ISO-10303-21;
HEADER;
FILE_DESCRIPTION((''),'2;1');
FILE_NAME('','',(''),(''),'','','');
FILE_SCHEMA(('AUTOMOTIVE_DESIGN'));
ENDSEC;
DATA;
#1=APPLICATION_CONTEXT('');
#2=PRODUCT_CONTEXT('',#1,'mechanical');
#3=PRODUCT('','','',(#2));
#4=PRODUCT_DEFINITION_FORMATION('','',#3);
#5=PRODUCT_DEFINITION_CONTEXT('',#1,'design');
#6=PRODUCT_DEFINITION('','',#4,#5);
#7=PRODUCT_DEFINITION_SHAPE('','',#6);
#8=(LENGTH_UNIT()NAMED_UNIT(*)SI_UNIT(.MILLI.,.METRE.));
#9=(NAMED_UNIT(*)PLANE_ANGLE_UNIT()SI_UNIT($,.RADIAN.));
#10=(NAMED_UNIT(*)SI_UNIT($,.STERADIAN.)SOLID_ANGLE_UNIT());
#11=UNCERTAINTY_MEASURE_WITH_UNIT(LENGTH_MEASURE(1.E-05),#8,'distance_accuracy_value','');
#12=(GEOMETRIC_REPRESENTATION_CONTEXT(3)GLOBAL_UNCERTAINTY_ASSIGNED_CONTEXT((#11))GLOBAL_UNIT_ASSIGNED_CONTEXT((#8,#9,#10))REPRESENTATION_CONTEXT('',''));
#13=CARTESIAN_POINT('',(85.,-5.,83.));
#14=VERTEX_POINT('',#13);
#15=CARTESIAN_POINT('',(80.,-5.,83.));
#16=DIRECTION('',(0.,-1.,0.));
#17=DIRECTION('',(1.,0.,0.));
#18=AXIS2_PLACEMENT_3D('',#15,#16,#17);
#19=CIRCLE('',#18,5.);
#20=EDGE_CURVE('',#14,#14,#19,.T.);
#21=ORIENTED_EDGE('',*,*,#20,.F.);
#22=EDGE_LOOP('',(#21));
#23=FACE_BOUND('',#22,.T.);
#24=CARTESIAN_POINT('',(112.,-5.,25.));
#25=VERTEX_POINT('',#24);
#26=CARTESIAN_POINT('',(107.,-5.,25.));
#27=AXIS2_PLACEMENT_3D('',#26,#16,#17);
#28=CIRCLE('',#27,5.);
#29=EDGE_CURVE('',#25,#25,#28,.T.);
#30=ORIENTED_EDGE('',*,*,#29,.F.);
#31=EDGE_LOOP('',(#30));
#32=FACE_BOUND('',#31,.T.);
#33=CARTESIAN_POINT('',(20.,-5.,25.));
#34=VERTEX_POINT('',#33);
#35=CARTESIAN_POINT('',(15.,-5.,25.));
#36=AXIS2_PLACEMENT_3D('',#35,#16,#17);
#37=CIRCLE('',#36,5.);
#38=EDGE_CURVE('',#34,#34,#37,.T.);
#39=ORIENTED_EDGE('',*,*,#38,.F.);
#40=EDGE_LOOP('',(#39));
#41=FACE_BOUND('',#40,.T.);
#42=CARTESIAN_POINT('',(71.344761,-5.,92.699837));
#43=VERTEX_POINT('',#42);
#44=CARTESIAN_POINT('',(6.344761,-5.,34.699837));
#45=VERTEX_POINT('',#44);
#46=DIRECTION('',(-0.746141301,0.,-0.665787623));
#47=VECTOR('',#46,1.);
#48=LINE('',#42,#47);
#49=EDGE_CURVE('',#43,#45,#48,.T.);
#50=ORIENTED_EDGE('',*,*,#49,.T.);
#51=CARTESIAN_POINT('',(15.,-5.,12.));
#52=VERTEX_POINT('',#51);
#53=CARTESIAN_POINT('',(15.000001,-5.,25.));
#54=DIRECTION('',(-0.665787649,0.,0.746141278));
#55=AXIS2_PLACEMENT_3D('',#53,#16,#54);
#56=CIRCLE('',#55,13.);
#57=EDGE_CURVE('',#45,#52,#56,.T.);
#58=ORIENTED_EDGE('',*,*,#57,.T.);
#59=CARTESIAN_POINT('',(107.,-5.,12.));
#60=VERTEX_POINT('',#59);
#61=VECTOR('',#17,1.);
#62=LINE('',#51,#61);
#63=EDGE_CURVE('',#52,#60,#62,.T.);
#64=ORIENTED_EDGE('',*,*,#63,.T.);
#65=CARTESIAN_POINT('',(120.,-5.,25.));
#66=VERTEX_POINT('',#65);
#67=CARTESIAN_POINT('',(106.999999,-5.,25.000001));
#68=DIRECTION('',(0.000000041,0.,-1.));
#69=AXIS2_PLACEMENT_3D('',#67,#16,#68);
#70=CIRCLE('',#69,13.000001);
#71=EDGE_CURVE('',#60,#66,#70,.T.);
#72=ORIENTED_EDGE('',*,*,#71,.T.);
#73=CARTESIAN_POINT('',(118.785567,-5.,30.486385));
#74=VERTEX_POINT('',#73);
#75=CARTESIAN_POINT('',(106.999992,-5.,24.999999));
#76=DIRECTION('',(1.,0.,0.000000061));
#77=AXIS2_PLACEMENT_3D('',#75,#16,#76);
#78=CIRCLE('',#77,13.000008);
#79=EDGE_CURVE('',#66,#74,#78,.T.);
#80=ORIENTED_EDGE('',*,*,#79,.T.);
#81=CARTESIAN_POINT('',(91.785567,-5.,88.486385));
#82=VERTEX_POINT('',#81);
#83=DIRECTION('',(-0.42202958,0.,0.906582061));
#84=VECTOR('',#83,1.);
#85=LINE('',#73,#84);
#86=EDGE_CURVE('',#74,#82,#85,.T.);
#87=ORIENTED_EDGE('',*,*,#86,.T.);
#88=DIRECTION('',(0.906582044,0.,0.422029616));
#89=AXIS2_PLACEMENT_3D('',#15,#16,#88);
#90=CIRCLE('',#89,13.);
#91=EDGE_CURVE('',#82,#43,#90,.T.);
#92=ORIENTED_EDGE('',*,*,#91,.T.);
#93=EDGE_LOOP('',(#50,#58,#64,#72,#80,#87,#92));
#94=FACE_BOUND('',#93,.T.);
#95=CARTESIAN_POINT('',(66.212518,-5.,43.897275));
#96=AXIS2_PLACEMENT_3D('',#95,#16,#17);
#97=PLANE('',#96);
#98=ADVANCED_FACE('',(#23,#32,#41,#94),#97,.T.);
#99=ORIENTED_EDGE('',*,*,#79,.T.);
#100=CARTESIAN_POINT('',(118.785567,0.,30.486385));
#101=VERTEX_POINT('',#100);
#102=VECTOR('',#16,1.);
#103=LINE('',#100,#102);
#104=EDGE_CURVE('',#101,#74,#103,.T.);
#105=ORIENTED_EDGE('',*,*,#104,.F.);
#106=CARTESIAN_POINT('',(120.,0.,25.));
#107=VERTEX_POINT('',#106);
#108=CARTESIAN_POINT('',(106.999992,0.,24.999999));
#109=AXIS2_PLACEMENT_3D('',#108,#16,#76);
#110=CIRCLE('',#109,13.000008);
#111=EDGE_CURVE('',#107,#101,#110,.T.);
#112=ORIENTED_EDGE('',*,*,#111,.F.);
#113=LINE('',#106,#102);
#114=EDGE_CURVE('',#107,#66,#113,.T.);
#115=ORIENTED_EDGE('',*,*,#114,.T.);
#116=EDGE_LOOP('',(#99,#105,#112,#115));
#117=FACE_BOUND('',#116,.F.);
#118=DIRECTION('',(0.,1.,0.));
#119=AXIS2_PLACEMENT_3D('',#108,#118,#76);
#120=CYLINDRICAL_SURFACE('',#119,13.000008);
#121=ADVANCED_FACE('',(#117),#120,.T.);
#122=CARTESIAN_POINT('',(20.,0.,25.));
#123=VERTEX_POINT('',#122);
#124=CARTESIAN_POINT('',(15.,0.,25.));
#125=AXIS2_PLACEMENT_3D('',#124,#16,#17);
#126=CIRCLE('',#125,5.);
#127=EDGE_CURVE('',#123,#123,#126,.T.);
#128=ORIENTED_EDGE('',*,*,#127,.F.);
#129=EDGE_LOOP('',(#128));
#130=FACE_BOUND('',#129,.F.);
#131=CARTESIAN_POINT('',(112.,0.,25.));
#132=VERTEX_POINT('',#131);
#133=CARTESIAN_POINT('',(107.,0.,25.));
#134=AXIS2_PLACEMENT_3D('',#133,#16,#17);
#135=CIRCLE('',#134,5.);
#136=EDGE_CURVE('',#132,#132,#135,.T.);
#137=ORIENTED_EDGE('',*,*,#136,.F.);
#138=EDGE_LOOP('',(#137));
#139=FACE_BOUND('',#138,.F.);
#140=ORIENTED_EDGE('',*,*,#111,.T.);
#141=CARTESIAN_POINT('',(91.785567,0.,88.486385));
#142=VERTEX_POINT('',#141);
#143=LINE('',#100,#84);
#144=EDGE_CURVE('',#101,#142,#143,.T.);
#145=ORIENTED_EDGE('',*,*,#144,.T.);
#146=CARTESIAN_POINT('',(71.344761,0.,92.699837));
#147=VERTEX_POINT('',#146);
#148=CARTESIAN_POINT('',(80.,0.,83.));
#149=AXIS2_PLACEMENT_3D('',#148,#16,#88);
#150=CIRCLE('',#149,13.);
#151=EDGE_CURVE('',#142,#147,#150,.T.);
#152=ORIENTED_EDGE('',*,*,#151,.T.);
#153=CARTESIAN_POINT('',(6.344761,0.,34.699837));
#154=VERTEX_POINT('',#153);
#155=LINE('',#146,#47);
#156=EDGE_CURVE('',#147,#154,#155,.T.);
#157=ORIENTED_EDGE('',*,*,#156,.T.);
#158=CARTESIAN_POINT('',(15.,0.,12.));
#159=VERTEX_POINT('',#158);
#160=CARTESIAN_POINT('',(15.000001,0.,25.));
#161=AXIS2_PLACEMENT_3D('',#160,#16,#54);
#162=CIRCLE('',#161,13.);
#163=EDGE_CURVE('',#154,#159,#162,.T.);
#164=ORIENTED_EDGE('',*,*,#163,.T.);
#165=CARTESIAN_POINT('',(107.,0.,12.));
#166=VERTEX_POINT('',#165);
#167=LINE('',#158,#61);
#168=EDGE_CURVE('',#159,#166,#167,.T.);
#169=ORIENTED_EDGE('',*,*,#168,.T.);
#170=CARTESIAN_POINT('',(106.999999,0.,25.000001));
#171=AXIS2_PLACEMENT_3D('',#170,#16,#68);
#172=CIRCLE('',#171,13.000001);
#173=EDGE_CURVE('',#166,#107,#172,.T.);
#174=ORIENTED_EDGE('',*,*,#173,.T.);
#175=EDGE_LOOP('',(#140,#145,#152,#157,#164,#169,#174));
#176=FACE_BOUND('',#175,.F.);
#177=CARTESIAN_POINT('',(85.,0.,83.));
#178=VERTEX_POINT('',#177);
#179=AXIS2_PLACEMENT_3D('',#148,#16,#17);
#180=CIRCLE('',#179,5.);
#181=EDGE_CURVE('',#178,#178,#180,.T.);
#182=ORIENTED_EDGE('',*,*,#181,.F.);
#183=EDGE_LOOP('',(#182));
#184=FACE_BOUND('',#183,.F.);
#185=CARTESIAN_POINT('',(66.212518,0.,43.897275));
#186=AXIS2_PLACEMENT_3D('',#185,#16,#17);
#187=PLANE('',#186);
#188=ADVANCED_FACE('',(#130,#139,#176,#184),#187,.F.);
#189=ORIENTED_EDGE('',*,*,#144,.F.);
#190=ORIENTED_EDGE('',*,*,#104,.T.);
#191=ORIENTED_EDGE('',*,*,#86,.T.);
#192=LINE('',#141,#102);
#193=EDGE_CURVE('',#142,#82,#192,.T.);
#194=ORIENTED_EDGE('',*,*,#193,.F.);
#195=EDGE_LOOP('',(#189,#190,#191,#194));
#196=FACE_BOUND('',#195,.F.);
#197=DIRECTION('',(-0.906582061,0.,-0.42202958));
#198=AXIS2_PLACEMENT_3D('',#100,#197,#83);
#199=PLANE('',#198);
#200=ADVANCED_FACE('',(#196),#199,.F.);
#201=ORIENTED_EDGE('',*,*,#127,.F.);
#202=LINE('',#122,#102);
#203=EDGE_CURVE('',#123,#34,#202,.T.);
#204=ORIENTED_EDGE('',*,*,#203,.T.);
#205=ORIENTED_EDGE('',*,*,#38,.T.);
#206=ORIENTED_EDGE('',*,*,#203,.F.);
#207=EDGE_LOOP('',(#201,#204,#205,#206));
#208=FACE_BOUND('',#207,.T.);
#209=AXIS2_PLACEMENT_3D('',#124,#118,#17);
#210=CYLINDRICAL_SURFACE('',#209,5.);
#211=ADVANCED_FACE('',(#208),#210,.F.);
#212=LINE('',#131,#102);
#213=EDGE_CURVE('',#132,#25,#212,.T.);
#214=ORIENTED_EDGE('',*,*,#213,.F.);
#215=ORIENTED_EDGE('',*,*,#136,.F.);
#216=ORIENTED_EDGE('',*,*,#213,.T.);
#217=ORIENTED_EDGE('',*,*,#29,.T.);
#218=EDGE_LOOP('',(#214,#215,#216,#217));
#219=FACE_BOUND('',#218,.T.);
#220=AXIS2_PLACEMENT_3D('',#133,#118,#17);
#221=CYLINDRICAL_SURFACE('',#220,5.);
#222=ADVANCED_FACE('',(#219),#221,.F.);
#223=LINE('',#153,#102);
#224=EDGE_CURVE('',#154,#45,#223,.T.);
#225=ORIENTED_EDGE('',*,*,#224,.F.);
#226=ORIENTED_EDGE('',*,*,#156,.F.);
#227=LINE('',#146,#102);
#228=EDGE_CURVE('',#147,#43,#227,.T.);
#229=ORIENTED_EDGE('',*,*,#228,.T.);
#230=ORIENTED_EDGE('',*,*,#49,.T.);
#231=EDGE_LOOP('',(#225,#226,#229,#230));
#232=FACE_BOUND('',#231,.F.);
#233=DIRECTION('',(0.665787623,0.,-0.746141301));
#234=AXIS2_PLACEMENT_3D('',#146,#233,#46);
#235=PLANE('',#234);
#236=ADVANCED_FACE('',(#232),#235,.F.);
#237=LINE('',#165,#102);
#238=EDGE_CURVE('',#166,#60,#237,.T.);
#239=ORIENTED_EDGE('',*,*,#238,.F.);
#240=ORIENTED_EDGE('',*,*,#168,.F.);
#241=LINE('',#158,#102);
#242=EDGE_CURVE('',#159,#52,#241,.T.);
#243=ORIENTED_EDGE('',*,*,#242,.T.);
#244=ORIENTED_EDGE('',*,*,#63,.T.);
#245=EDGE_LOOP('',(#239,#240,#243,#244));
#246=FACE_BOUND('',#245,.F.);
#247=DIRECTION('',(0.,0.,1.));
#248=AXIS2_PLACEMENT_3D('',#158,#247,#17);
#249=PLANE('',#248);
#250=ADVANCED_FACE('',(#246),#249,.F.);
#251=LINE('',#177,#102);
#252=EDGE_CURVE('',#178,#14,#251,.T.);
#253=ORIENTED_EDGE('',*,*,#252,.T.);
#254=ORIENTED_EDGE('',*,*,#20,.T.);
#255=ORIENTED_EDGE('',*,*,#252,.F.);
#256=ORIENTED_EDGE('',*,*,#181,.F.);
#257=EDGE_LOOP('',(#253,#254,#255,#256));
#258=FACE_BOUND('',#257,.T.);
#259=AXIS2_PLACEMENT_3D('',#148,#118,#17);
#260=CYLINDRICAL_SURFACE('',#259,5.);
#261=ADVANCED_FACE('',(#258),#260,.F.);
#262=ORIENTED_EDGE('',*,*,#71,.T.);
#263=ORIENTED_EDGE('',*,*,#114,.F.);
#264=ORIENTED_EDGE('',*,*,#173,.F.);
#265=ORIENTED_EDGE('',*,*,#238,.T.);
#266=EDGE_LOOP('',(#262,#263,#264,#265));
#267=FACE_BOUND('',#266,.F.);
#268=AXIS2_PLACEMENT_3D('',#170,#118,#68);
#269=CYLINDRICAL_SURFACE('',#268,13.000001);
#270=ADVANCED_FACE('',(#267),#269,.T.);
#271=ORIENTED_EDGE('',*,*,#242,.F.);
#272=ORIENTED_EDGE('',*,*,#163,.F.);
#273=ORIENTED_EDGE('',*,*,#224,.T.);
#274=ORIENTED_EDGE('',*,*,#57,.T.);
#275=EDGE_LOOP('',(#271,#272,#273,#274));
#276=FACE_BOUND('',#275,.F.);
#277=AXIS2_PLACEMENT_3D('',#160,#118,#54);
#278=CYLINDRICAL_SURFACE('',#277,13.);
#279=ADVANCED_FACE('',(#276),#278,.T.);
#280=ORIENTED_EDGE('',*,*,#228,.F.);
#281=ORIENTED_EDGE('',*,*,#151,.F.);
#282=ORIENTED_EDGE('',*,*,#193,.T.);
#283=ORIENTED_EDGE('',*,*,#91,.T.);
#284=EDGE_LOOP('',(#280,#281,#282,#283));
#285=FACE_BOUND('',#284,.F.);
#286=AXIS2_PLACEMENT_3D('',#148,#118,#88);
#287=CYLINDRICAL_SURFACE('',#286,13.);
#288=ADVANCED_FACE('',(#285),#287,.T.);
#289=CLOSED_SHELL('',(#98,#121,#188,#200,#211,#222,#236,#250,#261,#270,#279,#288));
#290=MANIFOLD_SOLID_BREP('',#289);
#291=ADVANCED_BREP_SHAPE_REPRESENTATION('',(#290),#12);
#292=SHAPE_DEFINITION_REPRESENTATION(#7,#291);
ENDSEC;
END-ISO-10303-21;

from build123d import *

# Parameters (mm, degrees)
F0_R     = 5
F1_DEPTH = 5


with BuildPart() as f1:
    # F0 (on Front) → F1 (new body)
    with BuildSketch(Plane.XZ):
        with BuildLine():
            ThreePointArc((91.785567, 88.486385), (92.692761, 85.809594), (93, 83))
            ThreePointArc((93, 83), (74.685779, 71.135808), (71.344761, 92.699837))
            Line((71.344761, 92.699837), (6.344761, 34.699837))
            ThreePointArc((6.344761, 34.699837), (20.314221, 36.864192), (28, 25))
            ThreePointArc((28, 25), (24.192388, 15.807612), (15, 12))
            Line((15, 12), (107, 12))
            ThreePointArc((107, 12), (96.03818, 31.988455), (118.785567, 30.486385))
            Line((118.785567, 30.486385), (91.785567, 88.486385))
        make_face()
        with BuildLine():
            ThreePointArc((28, 25), (20.314221, 36.864192), (6.344761, 34.699837))
            ThreePointArc((6.344761, 34.699837), (2.853028, 20.368471), (15, 12))
            ThreePointArc((15, 12), (24.192388, 15.807612), (28, 25))
        make_face()
        with Locations((15, 25)):
            Circle(F0_R, mode=Mode.SUBTRACT)
        with BuildLine():
            ThreePointArc((71.344761, 92.699837), (74.685779, 71.135808), (93, 83))
            ThreePointArc((93, 83), (92.692761, 85.809594), (91.785567, 88.486385))
            ThreePointArc((91.785567, 88.486385), (82.624506, 95.73232), (71.344761, 92.699837))
        make_face()
        with Locations((80, 83)):
            Circle(F0_R, mode=Mode.SUBTRACT)
        with BuildLine():
            ThreePointArc((120, 25), (119.692761, 27.809594), (118.785567, 30.486385))
            ThreePointArc((118.785567, 30.486385), (96.03818, 31.988455), (107, 12))
            ThreePointArc((107, 12), (116.192388, 15.807612), (120, 25))
        make_face()
        with Locations((107, 25)):
            Circle(F0_R, mode=Mode.SUBTRACT)
    extrude(amount=F1_DEPTH)


solid = f1.part
